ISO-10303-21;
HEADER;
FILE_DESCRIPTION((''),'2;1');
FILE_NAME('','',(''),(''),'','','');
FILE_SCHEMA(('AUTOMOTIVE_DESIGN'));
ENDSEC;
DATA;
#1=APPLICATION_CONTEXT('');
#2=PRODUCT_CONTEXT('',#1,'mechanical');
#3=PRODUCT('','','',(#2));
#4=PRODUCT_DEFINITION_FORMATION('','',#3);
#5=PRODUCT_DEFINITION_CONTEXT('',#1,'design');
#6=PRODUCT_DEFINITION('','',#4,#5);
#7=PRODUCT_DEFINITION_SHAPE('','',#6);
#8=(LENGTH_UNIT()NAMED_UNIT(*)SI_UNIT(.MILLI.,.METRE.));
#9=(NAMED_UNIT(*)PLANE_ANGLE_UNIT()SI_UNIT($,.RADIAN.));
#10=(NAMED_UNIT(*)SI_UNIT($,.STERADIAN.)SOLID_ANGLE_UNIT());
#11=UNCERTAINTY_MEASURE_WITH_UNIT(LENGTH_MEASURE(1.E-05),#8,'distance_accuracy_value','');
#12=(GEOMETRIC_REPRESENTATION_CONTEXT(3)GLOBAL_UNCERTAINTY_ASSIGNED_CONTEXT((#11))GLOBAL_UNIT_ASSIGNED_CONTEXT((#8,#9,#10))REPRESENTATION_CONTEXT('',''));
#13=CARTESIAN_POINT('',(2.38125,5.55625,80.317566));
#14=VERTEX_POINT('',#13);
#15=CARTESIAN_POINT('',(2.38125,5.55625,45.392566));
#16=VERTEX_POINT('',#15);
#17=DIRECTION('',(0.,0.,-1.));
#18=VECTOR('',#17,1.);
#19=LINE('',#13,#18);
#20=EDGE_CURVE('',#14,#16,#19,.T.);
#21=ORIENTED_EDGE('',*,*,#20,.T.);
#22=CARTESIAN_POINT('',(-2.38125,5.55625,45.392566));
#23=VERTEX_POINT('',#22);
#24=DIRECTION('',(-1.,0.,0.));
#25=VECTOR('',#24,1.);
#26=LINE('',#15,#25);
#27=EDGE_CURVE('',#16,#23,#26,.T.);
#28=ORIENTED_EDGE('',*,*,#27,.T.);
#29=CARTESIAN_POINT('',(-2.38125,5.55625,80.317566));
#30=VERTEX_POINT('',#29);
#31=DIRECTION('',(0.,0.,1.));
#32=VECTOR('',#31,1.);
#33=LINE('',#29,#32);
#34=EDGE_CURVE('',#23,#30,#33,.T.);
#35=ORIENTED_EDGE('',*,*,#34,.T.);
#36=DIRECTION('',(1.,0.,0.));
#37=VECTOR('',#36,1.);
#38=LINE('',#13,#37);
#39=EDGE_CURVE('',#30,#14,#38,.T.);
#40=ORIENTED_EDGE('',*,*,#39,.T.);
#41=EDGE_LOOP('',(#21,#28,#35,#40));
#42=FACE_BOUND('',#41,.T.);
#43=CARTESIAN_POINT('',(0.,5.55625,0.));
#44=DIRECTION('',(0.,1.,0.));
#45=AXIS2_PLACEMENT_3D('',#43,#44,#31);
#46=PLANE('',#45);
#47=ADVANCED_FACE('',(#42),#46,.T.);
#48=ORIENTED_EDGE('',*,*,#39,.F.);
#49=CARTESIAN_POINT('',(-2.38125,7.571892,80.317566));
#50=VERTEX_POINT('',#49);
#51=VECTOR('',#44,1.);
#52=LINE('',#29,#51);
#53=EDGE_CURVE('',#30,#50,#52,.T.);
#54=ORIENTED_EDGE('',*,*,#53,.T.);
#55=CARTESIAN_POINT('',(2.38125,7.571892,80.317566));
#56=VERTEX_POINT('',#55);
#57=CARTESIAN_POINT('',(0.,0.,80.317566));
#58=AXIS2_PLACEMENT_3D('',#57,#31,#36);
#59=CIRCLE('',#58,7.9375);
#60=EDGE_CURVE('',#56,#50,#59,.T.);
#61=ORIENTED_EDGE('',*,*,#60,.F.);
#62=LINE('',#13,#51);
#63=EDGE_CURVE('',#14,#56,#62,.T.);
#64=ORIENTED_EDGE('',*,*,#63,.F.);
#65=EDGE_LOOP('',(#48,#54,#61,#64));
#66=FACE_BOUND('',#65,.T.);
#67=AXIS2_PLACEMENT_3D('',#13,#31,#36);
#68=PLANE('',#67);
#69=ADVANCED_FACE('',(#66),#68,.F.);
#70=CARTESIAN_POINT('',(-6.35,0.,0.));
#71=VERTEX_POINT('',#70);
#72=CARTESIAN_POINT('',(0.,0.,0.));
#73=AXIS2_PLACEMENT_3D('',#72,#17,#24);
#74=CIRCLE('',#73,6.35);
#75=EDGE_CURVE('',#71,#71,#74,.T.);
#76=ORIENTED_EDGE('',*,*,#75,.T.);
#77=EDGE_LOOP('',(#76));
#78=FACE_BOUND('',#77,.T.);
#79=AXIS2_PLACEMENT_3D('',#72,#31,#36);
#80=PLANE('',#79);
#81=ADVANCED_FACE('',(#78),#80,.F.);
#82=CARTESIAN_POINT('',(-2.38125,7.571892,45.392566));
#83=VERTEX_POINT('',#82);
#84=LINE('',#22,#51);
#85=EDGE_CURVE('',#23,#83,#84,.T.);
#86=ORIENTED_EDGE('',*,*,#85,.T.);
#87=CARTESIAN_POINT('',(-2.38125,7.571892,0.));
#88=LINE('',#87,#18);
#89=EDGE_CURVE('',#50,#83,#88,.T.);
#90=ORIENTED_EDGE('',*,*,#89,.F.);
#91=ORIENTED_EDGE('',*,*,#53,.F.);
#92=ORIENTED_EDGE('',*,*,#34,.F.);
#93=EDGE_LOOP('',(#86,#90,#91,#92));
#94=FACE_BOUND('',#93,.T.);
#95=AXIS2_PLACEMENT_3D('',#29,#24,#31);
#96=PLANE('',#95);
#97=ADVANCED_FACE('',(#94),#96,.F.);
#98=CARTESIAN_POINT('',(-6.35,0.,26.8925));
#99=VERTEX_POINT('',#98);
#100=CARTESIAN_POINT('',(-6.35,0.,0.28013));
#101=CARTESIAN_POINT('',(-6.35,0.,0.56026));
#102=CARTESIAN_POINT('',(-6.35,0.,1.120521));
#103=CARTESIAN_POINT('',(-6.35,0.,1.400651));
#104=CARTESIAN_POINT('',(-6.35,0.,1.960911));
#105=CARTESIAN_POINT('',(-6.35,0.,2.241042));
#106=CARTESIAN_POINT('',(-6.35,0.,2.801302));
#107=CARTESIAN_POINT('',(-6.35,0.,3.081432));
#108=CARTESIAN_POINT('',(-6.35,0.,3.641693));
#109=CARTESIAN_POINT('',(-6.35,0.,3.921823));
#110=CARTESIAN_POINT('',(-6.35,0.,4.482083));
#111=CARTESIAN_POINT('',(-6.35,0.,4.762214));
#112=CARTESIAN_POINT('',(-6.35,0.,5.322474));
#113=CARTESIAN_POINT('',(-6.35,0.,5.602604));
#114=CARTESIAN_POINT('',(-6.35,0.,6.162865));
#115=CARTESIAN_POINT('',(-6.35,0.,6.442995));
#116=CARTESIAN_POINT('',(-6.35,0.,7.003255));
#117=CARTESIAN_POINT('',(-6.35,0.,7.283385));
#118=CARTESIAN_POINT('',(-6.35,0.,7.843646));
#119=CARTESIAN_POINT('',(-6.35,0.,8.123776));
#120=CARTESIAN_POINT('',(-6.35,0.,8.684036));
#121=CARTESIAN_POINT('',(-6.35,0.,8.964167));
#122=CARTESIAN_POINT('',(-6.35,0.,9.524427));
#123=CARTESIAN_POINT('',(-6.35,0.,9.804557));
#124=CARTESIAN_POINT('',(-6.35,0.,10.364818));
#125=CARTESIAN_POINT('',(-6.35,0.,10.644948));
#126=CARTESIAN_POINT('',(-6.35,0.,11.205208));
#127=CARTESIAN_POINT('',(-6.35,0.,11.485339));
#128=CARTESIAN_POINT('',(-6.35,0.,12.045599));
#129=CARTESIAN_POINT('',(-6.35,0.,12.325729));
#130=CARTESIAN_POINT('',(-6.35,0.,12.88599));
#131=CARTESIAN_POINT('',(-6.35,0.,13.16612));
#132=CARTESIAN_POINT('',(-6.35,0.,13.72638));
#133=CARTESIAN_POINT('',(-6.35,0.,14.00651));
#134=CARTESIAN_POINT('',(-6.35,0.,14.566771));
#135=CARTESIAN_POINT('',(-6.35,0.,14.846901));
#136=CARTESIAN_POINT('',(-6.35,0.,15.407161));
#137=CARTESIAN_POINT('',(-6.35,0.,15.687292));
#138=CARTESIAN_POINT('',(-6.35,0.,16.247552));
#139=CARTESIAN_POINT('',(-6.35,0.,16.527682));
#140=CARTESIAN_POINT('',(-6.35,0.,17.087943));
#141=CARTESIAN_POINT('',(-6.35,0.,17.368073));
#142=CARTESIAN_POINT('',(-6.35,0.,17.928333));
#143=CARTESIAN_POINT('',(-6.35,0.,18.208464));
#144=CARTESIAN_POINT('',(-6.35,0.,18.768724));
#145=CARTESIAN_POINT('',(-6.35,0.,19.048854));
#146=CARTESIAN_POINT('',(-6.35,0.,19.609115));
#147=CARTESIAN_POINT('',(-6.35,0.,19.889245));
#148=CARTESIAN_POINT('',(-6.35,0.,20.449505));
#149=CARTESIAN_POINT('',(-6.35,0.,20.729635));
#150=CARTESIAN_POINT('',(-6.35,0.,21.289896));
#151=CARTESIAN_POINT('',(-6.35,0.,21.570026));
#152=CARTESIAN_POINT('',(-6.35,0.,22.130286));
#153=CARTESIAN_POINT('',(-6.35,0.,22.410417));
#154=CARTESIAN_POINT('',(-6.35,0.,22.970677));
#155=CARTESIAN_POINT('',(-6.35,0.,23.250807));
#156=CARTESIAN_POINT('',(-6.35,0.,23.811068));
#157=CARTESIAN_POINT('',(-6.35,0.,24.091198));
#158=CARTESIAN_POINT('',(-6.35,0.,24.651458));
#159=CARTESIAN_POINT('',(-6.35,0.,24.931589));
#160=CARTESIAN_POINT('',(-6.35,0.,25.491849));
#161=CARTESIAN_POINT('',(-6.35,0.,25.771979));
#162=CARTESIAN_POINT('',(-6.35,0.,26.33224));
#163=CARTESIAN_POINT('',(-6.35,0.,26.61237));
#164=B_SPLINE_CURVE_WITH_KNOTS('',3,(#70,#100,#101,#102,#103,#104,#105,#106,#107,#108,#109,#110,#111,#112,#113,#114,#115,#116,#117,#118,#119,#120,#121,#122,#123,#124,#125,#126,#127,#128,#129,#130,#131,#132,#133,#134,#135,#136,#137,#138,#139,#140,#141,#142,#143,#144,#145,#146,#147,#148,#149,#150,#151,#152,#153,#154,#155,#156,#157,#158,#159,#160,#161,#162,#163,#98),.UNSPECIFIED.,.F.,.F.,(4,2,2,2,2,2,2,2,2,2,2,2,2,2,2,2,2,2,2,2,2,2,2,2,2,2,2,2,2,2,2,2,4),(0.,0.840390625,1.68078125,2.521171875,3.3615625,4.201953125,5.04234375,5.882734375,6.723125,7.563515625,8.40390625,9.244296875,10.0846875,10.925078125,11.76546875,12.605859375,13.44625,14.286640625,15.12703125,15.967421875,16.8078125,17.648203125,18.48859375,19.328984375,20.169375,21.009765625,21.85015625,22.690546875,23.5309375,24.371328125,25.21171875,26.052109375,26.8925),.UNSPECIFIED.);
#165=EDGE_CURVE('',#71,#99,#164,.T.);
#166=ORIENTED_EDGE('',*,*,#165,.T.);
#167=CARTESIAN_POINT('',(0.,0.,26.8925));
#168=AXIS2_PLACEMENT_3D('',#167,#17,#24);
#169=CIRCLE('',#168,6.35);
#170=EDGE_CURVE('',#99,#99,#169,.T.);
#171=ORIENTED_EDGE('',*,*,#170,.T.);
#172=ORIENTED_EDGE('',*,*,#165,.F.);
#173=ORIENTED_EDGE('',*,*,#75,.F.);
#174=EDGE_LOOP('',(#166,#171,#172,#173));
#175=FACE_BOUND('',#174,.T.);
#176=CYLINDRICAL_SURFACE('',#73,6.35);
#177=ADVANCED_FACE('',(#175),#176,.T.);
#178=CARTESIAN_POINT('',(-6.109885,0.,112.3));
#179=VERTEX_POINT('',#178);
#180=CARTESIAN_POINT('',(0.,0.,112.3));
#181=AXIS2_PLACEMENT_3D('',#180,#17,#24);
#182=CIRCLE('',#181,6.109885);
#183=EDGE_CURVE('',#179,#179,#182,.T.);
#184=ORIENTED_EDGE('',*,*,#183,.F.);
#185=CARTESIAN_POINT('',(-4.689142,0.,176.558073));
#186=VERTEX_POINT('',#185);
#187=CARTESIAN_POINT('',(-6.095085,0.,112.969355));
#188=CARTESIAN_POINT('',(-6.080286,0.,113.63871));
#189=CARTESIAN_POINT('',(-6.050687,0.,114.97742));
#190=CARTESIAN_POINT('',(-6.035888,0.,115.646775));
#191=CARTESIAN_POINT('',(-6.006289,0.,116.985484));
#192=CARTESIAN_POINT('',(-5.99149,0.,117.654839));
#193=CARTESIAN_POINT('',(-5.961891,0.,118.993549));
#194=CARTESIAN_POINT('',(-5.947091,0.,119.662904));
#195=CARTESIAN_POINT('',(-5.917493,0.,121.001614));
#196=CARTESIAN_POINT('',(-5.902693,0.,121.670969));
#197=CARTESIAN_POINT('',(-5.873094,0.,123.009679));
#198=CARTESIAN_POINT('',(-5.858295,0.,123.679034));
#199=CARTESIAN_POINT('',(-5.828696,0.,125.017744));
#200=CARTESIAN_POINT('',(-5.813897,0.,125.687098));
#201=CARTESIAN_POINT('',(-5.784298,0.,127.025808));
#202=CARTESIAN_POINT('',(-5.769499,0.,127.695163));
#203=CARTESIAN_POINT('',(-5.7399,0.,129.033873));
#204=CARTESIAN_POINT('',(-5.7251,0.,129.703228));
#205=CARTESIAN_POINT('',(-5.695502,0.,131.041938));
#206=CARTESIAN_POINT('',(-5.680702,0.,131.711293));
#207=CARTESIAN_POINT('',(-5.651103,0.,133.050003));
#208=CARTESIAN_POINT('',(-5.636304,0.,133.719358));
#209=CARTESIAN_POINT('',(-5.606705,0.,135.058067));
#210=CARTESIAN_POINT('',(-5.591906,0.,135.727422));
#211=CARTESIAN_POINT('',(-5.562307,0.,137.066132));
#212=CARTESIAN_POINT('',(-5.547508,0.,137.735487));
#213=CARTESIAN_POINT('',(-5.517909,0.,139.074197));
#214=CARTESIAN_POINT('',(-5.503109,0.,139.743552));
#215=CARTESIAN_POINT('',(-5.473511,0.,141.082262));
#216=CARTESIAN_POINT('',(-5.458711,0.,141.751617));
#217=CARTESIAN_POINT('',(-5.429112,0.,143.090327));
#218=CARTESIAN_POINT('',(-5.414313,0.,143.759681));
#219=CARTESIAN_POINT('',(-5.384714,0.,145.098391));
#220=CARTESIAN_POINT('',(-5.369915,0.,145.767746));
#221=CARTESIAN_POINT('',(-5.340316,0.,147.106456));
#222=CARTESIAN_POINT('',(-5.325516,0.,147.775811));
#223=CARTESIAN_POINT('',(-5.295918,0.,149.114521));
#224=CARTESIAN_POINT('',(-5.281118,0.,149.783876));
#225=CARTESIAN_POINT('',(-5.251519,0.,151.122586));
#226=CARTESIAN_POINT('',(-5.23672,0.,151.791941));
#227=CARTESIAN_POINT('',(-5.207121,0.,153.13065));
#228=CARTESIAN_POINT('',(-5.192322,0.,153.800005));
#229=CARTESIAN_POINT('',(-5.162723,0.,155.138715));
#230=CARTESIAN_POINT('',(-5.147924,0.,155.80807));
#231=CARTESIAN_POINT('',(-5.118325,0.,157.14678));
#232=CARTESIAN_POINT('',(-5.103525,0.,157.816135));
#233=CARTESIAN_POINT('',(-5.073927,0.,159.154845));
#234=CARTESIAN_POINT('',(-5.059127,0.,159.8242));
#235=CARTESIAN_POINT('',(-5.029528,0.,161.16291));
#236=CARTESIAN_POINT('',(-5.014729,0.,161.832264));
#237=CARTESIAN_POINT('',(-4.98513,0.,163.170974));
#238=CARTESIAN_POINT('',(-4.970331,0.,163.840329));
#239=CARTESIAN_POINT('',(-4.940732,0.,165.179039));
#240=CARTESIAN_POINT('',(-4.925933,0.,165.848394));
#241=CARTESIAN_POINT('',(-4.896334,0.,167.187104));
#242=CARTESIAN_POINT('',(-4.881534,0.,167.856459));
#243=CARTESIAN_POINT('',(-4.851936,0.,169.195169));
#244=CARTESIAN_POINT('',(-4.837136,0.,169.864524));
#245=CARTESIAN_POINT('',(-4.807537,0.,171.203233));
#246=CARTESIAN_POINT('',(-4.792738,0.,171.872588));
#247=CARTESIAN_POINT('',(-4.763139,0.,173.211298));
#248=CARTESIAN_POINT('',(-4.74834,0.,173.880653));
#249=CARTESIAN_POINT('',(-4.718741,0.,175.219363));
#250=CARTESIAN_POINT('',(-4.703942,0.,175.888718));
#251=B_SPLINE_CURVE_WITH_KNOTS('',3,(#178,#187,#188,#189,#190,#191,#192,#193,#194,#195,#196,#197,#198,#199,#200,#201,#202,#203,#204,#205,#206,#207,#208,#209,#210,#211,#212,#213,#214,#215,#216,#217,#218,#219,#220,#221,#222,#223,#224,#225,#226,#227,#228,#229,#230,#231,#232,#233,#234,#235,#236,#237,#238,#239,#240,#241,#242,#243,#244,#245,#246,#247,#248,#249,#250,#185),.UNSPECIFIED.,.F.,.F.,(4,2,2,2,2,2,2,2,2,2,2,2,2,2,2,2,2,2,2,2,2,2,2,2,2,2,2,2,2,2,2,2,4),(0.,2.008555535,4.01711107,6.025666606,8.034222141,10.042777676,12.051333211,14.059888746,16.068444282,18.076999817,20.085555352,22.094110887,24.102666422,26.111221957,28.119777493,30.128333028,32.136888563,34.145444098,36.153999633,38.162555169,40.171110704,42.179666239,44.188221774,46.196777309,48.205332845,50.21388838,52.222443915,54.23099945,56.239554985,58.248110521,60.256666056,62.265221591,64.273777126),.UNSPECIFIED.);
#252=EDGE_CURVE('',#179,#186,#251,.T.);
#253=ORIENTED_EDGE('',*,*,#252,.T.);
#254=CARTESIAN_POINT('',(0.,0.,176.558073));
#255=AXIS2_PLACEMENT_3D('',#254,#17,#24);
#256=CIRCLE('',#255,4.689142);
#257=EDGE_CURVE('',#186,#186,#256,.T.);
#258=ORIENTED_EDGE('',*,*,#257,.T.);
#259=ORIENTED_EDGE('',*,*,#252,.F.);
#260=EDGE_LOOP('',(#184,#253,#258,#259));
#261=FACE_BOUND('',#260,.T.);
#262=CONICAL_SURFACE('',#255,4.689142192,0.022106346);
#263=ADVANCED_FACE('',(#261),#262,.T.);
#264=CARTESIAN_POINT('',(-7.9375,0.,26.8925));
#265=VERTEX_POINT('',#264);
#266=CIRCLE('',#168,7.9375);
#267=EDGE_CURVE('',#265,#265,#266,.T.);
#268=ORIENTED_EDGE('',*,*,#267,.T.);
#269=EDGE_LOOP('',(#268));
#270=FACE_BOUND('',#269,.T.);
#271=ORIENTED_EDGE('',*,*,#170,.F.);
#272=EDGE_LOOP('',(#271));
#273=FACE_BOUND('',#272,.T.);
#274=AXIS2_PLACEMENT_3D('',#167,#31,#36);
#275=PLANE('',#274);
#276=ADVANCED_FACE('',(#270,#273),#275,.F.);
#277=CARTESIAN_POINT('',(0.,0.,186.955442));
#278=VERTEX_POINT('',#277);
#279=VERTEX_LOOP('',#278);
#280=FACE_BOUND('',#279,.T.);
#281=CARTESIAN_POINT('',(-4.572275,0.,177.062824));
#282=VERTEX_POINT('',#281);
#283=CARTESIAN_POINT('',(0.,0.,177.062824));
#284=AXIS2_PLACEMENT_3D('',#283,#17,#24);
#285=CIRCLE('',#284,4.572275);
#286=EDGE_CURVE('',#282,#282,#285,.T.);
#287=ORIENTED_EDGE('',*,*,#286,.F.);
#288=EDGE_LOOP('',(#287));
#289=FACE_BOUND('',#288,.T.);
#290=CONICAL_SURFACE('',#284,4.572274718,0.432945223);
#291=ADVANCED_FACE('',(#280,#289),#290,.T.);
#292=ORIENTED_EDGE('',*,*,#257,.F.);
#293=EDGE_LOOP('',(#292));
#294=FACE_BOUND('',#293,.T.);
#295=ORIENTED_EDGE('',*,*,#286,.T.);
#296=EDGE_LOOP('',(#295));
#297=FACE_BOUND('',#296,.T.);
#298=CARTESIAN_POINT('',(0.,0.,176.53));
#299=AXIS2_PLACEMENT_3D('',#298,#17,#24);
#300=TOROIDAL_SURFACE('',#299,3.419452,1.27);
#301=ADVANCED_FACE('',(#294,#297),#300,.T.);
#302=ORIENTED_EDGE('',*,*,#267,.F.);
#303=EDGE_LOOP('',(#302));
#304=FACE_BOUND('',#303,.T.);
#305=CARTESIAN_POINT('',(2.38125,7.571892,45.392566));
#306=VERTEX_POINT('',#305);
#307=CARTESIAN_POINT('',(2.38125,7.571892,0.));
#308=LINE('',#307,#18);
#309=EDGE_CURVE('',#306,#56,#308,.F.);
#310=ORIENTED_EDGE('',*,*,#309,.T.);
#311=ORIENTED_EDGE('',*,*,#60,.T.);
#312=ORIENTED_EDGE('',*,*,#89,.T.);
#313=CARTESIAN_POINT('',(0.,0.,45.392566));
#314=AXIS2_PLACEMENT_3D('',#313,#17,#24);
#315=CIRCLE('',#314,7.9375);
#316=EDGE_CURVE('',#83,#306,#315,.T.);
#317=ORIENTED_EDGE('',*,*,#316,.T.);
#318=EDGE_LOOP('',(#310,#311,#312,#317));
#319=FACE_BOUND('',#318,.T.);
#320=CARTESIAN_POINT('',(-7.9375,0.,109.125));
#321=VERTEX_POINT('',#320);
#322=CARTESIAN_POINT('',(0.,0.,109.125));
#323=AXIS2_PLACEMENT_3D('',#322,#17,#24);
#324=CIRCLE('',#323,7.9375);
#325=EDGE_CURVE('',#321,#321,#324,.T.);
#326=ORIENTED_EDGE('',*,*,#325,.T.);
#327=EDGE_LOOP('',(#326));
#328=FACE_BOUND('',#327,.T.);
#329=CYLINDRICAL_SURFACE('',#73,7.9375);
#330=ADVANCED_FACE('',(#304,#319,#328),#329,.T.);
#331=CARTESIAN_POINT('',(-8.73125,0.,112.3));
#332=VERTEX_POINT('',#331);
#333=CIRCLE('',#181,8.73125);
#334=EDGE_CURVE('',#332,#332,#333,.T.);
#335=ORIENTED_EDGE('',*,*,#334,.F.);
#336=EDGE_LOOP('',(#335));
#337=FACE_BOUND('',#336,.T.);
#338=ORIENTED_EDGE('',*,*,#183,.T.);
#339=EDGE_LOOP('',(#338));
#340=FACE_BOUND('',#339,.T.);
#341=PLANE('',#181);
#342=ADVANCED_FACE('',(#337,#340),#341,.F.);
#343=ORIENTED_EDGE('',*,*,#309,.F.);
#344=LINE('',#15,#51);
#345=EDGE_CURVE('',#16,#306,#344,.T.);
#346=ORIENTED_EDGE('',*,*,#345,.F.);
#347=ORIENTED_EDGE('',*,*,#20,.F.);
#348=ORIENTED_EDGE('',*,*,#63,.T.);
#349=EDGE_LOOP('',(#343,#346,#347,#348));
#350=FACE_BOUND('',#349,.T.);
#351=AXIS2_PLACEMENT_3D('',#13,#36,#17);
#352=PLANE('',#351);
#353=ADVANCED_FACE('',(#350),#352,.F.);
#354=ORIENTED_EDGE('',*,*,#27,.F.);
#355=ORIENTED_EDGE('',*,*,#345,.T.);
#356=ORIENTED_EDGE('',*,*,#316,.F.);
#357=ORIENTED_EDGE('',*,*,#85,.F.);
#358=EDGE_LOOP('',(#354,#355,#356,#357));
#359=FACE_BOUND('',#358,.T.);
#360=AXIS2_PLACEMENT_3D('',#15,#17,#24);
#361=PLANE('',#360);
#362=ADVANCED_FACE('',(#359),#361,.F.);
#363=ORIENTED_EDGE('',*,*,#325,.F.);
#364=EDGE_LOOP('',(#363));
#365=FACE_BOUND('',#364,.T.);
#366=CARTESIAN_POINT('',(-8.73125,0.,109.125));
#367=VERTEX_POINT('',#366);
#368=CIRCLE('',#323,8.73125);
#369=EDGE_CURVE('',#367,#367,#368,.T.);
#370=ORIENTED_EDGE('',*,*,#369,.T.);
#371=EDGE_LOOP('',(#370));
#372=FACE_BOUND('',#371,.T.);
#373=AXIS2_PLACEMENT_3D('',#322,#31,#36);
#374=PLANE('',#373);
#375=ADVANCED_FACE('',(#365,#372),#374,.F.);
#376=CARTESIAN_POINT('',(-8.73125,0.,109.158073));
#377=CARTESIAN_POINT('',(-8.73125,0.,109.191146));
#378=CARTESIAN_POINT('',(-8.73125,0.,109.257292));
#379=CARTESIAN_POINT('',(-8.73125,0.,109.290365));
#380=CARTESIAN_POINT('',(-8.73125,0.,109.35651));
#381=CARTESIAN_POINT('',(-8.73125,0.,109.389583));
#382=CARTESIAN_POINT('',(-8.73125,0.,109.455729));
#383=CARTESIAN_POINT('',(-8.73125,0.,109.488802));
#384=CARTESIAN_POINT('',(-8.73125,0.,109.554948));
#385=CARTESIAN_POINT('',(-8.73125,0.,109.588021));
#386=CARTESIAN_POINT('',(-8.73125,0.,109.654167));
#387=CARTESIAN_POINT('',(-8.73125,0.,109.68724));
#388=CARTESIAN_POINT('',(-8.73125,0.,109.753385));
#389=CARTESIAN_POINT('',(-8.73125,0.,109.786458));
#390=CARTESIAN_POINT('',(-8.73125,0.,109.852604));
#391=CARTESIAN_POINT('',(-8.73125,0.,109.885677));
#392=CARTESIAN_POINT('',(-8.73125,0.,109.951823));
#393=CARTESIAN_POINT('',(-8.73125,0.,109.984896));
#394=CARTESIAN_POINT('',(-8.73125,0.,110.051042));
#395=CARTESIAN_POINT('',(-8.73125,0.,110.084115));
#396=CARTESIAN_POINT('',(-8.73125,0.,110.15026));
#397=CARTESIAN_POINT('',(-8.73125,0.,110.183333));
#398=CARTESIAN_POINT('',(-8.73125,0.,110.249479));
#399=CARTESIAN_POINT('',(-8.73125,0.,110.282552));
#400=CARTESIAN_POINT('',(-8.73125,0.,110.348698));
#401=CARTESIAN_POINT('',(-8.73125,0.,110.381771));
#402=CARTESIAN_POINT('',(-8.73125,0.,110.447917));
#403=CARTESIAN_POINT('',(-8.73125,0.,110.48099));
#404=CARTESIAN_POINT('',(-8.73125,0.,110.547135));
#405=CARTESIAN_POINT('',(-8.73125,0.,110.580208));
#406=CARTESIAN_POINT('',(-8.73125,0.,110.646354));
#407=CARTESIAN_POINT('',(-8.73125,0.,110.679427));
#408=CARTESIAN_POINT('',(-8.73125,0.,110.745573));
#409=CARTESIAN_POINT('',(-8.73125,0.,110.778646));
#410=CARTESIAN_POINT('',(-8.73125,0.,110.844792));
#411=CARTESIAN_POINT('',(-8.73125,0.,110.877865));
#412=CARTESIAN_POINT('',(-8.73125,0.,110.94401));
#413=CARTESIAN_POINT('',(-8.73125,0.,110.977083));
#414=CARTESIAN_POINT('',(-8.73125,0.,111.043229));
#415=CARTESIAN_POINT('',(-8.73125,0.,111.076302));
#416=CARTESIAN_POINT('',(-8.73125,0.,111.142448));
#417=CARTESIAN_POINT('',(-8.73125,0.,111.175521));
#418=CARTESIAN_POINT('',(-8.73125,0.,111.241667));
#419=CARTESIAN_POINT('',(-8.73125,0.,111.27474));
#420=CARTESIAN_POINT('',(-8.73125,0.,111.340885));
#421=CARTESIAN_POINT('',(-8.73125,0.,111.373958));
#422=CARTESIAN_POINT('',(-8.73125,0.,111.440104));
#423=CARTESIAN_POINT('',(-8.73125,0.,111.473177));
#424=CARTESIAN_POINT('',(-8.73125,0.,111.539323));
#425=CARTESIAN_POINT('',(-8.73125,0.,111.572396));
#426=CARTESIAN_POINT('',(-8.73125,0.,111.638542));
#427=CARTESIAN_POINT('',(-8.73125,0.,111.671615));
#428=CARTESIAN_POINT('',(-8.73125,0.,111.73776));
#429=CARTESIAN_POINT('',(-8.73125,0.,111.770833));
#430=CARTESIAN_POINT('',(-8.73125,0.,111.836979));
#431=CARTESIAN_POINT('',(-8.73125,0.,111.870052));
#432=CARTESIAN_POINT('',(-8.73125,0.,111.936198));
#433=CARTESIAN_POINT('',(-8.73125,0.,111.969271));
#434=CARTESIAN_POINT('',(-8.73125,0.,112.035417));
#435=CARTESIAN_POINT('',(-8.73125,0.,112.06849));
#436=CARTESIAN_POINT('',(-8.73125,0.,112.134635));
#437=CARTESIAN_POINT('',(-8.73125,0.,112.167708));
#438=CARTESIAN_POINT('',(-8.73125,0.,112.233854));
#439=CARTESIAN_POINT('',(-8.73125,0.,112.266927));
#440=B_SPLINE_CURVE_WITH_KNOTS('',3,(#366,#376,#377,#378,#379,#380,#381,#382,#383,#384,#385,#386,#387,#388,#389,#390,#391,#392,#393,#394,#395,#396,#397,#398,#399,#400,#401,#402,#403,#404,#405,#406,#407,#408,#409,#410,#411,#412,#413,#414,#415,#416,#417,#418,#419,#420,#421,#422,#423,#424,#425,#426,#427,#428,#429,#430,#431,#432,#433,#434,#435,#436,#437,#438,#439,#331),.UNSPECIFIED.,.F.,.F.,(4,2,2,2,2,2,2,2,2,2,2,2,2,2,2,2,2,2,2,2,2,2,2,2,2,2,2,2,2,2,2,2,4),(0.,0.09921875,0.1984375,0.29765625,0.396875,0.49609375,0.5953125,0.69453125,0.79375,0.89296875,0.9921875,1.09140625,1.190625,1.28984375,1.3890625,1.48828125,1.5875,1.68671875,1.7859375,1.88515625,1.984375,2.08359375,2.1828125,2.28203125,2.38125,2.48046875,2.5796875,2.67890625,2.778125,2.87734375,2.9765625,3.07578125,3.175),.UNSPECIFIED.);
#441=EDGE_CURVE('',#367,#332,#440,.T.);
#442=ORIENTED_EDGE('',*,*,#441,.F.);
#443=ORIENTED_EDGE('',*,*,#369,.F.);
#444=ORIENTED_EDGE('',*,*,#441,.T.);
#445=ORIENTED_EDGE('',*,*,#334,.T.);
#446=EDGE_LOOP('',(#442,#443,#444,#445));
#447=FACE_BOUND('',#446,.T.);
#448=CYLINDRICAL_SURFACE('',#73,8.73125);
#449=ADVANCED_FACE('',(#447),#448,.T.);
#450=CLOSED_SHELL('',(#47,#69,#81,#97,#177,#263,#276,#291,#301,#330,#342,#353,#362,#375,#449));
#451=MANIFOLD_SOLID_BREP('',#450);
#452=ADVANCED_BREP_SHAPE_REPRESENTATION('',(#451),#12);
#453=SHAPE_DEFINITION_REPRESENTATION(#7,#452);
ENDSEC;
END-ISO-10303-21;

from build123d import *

# Parameters (mm, degrees)
SKETCH4_W          = 4.7625
SKETCH4_H          = 34.925
CUT_EXTRUDE1_DEPTH = 2.38125


with BuildPart() as part:
    # Sketch3 → Revolve2 (revolve)
    with BuildSketch(Plane(origin=(0, 0, 0), x_dir=(0, 0, -1), z_dir=(1, 0, 0)), mode=Mode.PRIVATE) as revolve2_sk:
        with BuildLine():
            Line((-186.95544175, 0), (-177.8, 0))
            Line((-177.8, 0), (0, 0))
            Line((0, 0), (0, 6.35))
            Line((0, 6.35), (-26.8925, 6.35))
            Line((-26.8925, 6.35), (-26.8925, 7.9375))
            Line((-26.8925, 7.9375), (-109.125, 7.9375))
            Line((-109.125, 7.9375), (-109.125, 8.73125))
            Line((-109.125, 8.73125), (-112.3, 8.73125))
            Line((-112.3, 8.73125), (-112.3, 6.109884817))
            Line((-112.3, 6.109884817), (-176.558072773, 4.689142192))
            ThreePointArc((-176.558072773, 4.689142192), (-176.816471065, 4.656721397), (-177.062823544, 4.572274718))
            Line((-177.062823544, 4.572274718), (-186.95544175, 0))
        make_face()
    revolve(revolve2_sk.sketch.rotate(Axis((0, 0, 0), (0, 0, 1)), 90), axis=Axis((0, 0, 0), (0, 0, 1)))

    # Sketch4 → Cut-Extrude1 (cut)
    with BuildSketch(Plane(origin=(0, 7.9375, 0), x_dir=(1, 0, 0), z_dir=(0, 1, 0))):
        with Locations((0, -62.855066403)):
            Rectangle(SKETCH4_W, SKETCH4_H)
    extrude(amount=-CUT_EXTRUDE1_DEPTH, mode=Mode.SUBTRACT)


solid = part.part
